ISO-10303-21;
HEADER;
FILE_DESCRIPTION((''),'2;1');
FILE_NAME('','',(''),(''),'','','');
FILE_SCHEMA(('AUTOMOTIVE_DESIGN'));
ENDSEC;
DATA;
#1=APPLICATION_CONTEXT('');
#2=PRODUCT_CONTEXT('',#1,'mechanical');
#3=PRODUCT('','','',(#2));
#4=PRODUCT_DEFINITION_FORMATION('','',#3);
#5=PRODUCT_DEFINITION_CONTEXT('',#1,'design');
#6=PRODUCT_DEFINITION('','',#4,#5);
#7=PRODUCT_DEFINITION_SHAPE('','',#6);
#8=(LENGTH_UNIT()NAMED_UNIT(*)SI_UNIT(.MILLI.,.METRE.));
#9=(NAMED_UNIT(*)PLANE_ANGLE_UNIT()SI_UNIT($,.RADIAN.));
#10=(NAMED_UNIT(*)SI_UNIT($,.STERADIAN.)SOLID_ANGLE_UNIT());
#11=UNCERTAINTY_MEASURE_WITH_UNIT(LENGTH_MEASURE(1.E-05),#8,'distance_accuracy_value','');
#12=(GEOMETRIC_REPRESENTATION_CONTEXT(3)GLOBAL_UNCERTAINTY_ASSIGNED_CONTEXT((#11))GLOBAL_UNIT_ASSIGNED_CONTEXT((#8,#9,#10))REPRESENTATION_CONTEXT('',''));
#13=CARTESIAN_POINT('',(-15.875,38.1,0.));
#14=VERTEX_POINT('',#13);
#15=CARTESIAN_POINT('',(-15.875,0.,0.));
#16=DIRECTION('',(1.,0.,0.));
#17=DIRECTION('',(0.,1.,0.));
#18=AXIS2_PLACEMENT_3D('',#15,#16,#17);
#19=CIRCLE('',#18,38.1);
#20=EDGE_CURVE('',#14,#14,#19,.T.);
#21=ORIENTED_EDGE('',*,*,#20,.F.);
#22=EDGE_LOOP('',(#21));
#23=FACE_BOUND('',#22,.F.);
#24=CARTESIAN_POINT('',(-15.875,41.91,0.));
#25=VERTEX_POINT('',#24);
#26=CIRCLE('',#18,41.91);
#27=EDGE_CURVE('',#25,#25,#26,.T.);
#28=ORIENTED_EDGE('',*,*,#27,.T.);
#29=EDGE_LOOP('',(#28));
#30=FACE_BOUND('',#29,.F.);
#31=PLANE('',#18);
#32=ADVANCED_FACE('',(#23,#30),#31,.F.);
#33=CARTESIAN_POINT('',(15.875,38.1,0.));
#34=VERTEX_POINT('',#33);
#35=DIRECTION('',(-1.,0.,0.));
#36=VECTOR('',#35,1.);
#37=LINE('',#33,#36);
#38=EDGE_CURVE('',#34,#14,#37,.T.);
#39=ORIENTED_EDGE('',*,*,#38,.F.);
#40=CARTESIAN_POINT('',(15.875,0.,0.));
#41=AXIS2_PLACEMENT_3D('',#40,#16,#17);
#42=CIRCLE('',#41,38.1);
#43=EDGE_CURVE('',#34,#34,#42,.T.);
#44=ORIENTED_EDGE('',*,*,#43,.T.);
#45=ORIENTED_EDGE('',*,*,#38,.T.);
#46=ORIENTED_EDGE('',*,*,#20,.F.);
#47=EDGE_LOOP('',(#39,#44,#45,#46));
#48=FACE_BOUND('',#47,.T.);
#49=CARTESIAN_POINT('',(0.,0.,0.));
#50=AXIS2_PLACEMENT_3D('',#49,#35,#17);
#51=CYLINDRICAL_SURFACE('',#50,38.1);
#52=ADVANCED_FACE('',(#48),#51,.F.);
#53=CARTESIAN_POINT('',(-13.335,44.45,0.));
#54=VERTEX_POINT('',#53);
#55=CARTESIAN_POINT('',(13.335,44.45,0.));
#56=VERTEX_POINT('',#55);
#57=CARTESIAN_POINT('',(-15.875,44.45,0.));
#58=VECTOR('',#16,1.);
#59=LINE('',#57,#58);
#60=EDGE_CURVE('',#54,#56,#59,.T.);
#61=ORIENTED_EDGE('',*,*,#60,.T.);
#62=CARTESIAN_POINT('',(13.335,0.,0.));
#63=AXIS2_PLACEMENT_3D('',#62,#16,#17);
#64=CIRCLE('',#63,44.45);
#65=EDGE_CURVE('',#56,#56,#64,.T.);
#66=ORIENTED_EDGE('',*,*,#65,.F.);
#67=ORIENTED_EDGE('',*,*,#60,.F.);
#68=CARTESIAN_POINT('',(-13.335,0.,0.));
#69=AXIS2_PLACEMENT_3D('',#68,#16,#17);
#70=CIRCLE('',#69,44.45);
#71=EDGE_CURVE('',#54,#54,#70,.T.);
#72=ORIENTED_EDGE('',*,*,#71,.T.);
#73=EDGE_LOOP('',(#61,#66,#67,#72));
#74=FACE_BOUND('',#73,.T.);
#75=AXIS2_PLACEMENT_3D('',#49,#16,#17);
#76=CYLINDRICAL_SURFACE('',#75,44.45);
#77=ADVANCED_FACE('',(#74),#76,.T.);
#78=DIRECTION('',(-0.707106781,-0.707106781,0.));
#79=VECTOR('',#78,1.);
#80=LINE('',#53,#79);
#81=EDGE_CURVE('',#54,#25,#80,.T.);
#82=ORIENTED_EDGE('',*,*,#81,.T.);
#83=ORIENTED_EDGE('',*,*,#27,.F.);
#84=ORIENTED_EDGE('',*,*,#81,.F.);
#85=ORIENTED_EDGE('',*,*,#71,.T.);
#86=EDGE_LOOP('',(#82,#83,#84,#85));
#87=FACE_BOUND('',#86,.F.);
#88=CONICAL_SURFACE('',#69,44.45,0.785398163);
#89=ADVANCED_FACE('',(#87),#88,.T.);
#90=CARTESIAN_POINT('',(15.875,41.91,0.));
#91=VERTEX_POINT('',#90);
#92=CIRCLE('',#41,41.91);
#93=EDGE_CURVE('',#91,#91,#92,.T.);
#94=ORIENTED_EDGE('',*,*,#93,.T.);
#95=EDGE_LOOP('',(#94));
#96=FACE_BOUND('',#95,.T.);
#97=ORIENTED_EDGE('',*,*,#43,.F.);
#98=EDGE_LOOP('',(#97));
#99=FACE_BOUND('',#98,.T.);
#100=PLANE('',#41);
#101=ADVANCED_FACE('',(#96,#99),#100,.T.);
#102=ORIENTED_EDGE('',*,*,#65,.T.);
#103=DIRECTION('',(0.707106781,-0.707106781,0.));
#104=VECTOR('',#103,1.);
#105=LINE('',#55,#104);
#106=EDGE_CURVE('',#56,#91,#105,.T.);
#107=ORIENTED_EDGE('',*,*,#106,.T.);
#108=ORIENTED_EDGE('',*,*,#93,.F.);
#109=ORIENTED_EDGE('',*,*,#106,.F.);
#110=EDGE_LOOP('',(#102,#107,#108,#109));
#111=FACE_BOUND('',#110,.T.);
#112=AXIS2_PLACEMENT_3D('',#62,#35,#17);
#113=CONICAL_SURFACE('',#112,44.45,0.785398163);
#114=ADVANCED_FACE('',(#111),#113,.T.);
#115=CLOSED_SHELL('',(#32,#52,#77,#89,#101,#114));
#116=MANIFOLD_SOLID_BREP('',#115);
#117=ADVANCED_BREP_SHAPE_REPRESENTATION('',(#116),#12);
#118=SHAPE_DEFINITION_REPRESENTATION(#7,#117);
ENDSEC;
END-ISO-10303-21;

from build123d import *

# Parameters (mm, degrees)
F0_R     = 44.45
F0_R_2   = 38.1
F1_DEPTH = 15.875
F2_SIZE  = 2.54


with BuildPart() as f1:
    # F0 (on Right) → F1 (new body, symmetric)
    with BuildSketch(Plane.YZ):
        Circle(F0_R)
        Circle(F0_R_2, mode=Mode.SUBTRACT)
    extrude(amount=F1_DEPTH, both=True)

    # F2
    f2_edges = [f1.edges().sort_by_distance(p)[0] for p in [
        (15.875, -44.45, 0),
        (-15.875, -44.45, 0),
    ]]
    chamfer(f2_edges, length=F2_SIZE)


solid = f1.part
